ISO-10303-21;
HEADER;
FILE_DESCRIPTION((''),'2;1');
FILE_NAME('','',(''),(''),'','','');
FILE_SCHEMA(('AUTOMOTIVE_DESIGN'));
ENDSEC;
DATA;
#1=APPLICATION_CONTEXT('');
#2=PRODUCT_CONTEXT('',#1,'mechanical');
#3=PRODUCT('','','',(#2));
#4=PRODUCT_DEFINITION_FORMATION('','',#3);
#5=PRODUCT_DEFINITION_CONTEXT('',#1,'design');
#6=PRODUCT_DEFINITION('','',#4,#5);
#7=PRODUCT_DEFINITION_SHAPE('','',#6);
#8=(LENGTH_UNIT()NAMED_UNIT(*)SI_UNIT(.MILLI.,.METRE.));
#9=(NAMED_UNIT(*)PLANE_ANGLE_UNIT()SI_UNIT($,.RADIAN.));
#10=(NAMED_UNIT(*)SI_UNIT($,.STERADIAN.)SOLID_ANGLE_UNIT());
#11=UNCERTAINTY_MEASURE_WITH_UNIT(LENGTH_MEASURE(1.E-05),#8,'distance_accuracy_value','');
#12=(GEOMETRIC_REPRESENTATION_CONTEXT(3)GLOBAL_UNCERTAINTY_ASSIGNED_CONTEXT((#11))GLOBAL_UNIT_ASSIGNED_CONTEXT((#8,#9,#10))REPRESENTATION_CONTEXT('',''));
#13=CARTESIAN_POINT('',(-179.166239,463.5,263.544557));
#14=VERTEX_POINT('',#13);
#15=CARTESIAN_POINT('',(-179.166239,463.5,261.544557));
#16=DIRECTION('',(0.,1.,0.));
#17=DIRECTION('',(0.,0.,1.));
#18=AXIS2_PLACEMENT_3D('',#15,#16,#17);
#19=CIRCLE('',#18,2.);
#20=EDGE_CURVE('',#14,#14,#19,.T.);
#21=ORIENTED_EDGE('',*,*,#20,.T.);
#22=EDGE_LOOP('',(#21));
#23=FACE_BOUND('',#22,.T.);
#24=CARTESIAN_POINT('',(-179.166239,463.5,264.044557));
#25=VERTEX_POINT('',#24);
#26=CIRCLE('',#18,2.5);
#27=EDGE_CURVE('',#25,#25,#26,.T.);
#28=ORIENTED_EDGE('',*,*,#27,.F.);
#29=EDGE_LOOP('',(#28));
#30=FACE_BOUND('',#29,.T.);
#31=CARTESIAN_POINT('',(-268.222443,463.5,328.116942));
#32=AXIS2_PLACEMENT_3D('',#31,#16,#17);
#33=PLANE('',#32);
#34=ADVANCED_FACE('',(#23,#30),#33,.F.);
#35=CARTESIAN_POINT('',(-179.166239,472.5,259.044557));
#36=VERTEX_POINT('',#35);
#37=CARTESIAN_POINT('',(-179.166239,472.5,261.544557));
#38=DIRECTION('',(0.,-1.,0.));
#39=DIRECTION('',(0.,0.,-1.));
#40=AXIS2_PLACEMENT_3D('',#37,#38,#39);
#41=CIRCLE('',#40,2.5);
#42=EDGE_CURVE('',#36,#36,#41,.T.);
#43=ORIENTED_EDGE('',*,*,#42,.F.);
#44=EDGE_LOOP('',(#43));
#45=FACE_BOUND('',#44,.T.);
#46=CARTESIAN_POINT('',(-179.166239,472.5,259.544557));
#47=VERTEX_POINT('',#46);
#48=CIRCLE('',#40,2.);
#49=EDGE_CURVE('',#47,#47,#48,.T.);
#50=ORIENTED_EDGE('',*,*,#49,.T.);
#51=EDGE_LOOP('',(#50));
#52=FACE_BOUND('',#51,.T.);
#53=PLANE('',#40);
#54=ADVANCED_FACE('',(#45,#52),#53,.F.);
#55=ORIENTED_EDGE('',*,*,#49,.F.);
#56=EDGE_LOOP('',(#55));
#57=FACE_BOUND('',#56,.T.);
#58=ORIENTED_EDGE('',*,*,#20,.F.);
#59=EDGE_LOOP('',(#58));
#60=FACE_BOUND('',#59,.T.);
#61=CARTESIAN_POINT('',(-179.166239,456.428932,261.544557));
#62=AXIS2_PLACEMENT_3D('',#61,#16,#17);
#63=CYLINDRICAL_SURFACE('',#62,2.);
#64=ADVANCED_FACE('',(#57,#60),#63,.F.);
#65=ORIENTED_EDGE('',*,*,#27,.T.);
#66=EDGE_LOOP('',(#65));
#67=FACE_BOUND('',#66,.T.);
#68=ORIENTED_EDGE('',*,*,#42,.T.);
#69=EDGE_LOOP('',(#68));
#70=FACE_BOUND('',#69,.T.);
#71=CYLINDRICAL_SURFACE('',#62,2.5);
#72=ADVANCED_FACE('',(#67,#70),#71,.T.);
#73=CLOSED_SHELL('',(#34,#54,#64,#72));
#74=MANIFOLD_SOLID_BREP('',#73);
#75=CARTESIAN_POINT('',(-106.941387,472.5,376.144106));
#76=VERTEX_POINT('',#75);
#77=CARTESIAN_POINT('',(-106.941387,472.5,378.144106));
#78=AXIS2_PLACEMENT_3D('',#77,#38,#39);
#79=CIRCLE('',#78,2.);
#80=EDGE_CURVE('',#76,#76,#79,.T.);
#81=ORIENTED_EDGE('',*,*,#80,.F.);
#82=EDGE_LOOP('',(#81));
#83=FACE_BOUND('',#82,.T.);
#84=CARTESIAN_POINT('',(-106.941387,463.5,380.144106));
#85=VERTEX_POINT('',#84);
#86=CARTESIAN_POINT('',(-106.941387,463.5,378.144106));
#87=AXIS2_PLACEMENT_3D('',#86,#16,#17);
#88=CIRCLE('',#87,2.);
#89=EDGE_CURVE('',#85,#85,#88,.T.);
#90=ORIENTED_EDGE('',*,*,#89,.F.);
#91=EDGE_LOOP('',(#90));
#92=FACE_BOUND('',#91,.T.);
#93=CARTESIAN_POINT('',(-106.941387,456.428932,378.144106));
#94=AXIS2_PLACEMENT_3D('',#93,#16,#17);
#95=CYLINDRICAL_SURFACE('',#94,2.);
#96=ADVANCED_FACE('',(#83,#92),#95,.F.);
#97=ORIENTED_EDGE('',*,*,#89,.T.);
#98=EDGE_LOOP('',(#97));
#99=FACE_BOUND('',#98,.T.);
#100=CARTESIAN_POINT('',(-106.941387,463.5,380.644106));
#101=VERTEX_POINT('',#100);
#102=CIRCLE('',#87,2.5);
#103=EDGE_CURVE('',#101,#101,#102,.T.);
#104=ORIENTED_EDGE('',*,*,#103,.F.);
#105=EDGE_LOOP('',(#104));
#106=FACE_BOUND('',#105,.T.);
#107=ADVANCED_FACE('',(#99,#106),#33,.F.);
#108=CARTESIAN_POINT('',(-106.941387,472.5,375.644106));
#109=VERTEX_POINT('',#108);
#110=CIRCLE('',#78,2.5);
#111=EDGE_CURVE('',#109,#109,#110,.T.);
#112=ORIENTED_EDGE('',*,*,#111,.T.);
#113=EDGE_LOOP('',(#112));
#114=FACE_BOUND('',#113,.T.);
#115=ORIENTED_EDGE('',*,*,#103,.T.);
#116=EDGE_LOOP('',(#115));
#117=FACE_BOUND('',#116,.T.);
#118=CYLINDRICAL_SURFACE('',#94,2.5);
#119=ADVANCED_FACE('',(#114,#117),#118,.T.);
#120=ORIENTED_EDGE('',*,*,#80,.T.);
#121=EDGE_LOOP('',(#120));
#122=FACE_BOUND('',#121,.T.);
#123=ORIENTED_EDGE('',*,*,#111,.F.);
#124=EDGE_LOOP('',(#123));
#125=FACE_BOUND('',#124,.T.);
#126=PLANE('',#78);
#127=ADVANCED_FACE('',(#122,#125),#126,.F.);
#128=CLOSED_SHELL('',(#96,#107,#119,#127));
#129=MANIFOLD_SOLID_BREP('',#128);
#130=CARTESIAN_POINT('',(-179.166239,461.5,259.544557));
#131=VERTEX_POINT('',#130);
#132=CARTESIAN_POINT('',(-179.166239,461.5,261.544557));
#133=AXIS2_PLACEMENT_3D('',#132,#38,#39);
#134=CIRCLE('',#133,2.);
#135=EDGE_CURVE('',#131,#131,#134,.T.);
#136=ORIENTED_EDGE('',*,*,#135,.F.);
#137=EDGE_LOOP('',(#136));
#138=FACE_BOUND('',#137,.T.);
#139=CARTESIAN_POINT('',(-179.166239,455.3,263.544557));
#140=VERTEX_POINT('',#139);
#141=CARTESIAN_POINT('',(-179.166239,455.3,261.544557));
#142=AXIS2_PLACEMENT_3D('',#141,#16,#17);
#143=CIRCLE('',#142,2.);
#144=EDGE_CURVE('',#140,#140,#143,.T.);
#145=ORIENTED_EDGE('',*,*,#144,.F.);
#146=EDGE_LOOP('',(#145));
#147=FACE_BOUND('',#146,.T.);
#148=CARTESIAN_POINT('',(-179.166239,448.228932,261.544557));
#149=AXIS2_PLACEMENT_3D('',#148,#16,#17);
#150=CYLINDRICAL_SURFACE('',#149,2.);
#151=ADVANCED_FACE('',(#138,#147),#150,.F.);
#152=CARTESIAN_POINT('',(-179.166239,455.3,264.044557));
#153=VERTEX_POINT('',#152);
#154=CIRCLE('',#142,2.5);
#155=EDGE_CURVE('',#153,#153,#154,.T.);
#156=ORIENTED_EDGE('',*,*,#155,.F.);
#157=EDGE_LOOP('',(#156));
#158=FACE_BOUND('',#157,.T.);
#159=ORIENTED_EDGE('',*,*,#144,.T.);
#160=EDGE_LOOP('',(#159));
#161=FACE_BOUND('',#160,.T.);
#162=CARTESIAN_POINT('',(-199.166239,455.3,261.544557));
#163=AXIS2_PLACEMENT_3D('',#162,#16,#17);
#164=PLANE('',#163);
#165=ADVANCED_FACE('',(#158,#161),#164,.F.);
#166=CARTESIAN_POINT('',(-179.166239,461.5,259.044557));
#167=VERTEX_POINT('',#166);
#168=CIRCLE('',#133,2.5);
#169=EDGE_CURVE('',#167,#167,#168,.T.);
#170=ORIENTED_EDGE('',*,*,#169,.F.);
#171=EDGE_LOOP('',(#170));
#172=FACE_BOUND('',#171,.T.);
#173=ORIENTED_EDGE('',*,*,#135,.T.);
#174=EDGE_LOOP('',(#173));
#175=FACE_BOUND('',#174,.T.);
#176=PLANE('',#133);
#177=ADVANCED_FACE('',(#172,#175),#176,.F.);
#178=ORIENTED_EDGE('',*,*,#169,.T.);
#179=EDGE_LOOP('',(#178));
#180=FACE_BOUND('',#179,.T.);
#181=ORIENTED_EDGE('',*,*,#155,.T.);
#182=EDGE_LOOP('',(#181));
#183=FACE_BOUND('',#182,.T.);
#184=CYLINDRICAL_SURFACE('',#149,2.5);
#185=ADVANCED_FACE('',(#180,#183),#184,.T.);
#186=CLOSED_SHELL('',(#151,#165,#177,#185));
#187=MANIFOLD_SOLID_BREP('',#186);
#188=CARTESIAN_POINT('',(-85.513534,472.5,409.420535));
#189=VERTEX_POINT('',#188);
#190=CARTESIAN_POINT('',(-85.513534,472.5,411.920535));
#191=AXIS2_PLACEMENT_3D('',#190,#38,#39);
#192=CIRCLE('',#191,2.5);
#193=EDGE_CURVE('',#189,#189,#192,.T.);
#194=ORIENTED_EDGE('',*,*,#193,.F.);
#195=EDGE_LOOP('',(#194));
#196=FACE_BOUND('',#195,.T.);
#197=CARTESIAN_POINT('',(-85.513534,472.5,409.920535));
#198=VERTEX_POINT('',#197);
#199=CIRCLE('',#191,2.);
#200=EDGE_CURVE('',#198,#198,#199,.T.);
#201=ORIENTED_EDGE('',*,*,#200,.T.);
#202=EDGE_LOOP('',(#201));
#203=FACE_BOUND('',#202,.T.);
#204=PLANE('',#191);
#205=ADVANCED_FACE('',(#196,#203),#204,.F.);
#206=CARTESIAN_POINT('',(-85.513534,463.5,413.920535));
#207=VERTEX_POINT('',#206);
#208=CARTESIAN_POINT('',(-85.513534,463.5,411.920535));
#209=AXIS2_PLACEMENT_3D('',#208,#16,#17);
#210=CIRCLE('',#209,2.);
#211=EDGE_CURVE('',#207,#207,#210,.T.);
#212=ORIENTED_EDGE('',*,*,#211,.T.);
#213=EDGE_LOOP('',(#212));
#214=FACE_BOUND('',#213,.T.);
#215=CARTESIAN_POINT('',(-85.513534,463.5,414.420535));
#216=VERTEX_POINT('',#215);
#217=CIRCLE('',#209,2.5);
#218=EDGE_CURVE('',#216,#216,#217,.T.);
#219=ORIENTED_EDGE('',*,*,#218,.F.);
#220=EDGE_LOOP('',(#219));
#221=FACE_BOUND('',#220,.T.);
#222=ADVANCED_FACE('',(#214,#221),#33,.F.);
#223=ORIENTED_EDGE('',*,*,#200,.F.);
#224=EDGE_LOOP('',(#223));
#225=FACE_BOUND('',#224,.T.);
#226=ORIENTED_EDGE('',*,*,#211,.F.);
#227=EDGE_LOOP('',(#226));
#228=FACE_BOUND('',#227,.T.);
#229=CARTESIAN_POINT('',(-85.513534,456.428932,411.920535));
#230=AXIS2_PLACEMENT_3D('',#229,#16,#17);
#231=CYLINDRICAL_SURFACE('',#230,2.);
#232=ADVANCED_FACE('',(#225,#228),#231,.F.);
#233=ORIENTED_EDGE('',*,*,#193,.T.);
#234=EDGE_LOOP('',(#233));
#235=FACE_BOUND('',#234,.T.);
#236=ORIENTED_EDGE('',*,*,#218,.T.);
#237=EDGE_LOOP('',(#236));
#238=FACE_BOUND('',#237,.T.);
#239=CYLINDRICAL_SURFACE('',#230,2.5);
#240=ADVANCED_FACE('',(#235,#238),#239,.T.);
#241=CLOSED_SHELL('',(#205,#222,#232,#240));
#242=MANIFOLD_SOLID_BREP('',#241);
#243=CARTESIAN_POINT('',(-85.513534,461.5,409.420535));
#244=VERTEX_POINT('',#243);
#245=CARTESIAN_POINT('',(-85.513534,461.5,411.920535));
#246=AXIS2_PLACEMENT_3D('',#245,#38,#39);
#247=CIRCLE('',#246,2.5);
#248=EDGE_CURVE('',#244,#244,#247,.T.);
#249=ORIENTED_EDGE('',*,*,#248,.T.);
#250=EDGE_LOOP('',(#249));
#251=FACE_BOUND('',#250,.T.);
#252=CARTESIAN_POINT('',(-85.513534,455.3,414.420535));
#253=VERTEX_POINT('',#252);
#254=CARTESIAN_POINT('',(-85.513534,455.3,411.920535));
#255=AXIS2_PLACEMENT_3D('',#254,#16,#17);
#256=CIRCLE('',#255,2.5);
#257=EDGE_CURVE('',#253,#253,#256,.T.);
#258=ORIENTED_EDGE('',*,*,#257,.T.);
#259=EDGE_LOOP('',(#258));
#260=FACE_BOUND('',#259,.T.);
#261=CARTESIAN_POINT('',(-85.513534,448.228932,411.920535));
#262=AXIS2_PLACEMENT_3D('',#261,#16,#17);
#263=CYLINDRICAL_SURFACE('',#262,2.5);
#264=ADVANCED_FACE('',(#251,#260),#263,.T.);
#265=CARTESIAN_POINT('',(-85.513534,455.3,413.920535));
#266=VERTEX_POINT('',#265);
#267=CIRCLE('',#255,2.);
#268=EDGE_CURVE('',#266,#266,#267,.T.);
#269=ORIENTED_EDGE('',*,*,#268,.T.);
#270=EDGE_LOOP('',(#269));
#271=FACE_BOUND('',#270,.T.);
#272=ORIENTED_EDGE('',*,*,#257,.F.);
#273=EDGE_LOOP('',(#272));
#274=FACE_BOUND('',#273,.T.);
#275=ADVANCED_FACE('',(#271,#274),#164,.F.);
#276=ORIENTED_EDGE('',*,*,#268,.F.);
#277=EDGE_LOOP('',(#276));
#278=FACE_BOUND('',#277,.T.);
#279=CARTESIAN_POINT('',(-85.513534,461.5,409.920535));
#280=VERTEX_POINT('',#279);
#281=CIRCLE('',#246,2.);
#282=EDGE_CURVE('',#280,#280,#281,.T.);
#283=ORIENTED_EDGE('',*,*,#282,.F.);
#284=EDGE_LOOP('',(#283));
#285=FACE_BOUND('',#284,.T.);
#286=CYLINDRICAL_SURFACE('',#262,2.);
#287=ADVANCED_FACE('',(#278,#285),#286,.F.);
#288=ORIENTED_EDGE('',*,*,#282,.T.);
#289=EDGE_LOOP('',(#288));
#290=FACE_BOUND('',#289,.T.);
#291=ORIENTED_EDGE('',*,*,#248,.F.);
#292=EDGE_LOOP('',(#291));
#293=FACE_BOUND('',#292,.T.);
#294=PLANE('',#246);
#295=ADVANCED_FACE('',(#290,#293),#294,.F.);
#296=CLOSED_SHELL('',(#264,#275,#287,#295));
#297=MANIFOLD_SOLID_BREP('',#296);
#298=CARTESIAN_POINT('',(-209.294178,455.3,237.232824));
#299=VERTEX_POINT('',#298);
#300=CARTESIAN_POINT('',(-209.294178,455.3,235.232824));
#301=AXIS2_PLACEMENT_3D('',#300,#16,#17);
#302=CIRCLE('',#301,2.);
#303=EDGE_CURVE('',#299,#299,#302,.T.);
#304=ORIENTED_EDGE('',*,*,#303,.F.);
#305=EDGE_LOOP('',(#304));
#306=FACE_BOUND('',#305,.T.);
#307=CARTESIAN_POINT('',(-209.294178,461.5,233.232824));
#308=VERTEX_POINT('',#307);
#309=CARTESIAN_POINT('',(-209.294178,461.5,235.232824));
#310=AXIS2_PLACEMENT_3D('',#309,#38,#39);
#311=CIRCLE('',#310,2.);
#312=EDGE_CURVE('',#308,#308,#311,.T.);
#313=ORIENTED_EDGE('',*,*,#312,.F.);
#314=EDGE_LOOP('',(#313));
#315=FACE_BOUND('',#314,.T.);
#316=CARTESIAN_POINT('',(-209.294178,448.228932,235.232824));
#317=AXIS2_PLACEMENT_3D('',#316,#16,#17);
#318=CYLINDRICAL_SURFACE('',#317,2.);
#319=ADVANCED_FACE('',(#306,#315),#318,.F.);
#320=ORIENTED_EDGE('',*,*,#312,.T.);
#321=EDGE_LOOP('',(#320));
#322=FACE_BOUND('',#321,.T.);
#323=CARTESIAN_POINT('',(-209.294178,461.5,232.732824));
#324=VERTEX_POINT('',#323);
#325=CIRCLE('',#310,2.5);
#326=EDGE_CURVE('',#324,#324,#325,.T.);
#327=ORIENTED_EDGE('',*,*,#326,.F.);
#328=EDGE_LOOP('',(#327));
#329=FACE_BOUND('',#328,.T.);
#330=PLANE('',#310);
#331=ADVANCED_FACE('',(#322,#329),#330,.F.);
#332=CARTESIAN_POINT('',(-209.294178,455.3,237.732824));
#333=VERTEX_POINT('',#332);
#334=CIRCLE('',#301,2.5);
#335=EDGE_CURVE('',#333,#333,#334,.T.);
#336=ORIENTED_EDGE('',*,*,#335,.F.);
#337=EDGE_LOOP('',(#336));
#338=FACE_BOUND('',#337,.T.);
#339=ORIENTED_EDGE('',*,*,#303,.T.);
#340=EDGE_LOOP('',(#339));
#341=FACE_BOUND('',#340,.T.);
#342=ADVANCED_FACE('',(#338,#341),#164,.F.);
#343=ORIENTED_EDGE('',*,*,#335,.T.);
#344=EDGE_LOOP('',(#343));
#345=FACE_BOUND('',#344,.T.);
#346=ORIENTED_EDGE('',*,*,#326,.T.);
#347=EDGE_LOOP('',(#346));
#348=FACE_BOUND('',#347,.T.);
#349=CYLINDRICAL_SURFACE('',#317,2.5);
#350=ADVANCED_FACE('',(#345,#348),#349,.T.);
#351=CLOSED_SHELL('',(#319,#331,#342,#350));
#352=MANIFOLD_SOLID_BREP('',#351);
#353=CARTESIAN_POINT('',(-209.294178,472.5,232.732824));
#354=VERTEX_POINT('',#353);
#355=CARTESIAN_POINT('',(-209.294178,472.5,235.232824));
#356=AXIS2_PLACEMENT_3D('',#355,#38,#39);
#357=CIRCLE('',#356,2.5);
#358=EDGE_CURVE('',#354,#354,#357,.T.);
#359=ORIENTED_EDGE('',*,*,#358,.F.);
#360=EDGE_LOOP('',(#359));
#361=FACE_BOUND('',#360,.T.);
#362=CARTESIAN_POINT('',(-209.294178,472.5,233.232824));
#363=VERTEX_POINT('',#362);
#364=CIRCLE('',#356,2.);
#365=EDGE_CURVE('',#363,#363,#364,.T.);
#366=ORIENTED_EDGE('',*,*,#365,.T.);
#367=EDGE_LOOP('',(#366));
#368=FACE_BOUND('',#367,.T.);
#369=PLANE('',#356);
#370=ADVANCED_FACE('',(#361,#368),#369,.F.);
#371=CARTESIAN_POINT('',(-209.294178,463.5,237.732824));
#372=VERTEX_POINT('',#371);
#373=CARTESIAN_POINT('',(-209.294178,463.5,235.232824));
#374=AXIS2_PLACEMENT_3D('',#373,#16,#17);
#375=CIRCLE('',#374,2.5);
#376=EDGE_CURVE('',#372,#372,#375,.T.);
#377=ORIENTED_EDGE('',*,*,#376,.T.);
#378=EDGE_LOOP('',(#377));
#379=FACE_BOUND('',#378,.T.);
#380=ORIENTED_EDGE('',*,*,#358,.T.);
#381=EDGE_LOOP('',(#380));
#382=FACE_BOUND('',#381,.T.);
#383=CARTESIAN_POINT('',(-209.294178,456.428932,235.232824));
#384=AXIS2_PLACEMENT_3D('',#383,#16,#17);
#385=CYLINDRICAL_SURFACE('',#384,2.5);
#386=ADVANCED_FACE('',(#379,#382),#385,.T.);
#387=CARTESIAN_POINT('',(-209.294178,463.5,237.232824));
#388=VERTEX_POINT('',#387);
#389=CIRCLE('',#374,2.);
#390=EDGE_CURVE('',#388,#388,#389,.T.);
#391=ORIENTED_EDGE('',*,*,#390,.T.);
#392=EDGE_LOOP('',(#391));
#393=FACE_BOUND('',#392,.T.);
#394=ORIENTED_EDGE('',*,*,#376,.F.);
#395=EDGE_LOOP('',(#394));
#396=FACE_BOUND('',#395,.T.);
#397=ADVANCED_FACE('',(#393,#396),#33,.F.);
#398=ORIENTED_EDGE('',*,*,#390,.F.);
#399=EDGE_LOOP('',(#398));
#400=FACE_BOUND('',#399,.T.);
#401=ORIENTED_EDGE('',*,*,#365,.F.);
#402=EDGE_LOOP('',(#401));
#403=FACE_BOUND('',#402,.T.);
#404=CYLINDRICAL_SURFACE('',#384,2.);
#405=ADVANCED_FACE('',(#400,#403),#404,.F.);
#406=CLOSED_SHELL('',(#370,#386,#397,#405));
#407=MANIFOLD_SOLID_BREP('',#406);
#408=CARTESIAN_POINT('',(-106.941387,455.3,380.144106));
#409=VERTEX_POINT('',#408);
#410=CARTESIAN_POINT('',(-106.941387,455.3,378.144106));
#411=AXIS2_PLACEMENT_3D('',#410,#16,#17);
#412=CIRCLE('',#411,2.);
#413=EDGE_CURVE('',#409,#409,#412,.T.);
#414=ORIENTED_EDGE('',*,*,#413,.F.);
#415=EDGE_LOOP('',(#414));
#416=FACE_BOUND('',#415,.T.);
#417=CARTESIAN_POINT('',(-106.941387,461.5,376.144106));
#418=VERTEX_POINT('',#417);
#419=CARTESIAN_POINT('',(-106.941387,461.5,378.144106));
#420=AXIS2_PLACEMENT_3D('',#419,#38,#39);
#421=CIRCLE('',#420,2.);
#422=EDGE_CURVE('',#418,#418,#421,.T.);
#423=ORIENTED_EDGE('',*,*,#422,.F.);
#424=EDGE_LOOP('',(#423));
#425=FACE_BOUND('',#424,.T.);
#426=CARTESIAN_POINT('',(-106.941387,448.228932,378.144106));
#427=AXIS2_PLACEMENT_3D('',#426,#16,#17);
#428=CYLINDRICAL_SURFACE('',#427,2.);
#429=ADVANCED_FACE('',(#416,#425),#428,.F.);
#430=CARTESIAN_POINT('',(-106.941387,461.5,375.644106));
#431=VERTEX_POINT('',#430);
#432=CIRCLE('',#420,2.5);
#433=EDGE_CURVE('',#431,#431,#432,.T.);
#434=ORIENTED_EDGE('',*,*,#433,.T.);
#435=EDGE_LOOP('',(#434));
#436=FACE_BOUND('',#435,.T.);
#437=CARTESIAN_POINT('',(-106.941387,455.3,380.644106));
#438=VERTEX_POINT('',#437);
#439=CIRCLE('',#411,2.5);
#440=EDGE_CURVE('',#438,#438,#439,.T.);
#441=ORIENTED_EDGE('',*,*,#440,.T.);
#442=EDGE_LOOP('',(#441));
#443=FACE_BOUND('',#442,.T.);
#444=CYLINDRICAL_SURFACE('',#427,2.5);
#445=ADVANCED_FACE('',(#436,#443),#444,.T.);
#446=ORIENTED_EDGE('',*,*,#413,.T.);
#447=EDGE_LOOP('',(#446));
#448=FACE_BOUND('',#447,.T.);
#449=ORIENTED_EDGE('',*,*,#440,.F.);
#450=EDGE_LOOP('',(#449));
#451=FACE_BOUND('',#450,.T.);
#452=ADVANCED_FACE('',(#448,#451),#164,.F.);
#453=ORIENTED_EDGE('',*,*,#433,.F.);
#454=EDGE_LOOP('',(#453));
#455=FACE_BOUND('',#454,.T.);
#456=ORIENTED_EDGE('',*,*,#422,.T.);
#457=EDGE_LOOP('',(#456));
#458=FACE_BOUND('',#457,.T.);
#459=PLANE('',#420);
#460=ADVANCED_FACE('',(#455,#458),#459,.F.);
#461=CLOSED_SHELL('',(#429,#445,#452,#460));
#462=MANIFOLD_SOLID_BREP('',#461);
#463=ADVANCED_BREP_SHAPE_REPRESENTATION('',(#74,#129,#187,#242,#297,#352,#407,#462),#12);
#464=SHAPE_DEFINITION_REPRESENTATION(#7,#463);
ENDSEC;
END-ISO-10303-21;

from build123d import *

# Parameters (mm, degrees)
SZKIC1_R                      = 2.5
SZKIC1_R_2                    = 2
DODANIE_WYCI_GNI_CIE1_DEPTH   = 9
DODANIE_WYCI_GNI_CIE1_2_DEPTH = 9
DODANIE_WYCI_GNI_CIE1_3_DEPTH = 9
DODANIE_WYCI_GNI_CIE1_4_DEPTH = 9
SZKIC2_R                      = 2.5
SZKIC2_R_2                    = 2.000000003
DODANIE_WYCI_GNI_CIE2_DEPTH   = 6.2
SZKIC2_R_3                    = 1.999999997
DODANIE_WYCI_GNI_CIE2_2_DEPTH = 6.2
SZKIC2_R_4                    = 2
DODANIE_WYCI_GNI_CIE2_3_DEPTH = 6.2
DODANIE_WYCI_GNI_CIE2_4_DEPTH = 6.2


with BuildPart() as part:
    # Szkic1 → Dodanie-wyciągnięcie1 (new body)
    with BuildSketch(Plane.XZ.offset(-472.5)):
        with Locations((-209.294177747, 235.232823684)):
            Circle(SZKIC1_R)
        with Locations((-209.294177747, 235.232823684)):
            Circle(SZKIC1_R_2, mode=Mode.SUBTRACT)
    extrude(amount=DODANIE_WYCI_GNI_CIE1_DEPTH)


with BuildPart() as body_2:
    # Szkic1 → Dodanie-wyci_gni_cie1 2 (new body)
    with BuildSketch(Plane.XZ.offset(-472.5)):
        with Locations((-179.166238959, 261.544556892)):
            Circle(SZKIC1_R)
        with Locations((-179.166238959, 261.544556892)):
            Circle(SZKIC1_R_2, mode=Mode.SUBTRACT)
    extrude(amount=DODANIE_WYCI_GNI_CIE1_2_DEPTH)


with BuildPart() as body_3:
    # Szkic1 → Dodanie-wyci_gni_cie1 3 (new body)
    with BuildSketch(Plane.XZ.offset(-472.5)):
        with Locations((-106.941386538, 378.144106321)):
            Circle(SZKIC1_R)
        with Locations((-106.941386538, 378.144106321)):
            Circle(SZKIC1_R_2, mode=Mode.SUBTRACT)
    extrude(amount=DODANIE_WYCI_GNI_CIE1_3_DEPTH)


with BuildPart() as body_4:
    # Szkic1 → Dodanie-wyci_gni_cie1 4 (new body)
    with BuildSketch(Plane.XZ.offset(-472.5)):
        with Locations((-85.513533731, 411.920534849)):
            Circle(SZKIC1_R)
        with Locations((-85.513533731, 411.920534849)):
            Circle(SZKIC1_R_2, mode=Mode.SUBTRACT)
    extrude(amount=DODANIE_WYCI_GNI_CIE1_4_DEPTH)


with BuildPart() as body_5:
    # Szkic2 → Dodanie-wyciągnięcie2 (new body)
    with BuildSketch(Plane.XZ.offset(-461.5)):
        with Locations((-209.294177747, 235.232823684)):
            Circle(SZKIC2_R)
        with Locations((-209.294177747, 235.232823684)):
            Circle(SZKIC2_R_2, mode=Mode.SUBTRACT)
    extrude(amount=DODANIE_WYCI_GNI_CIE2_DEPTH)


with BuildPart() as body_6:
    # Szkic2 → Dodanie-wyci_gni_cie2 2 (new body)
    with BuildSketch(Plane.XZ.offset(-461.5)):
        with Locations((-179.166238959, 261.544556892)):
            Circle(SZKIC2_R)
        with Locations((-179.166238959, 261.544556892)):
            Circle(SZKIC2_R_3, mode=Mode.SUBTRACT)
    extrude(amount=DODANIE_WYCI_GNI_CIE2_2_DEPTH)


with BuildPart() as body_7:
    # Szkic2 → Dodanie-wyci_gni_cie2 3 (new body)
    with BuildSketch(Plane.XZ.offset(-461.5)):
        with Locations((-106.941386538, 378.144106321)):
            Circle(SZKIC2_R)
        with Locations((-106.941386538, 378.144106321)):
            Circle(SZKIC2_R_4, mode=Mode.SUBTRACT)
    extrude(amount=DODANIE_WYCI_GNI_CIE2_3_DEPTH)


with BuildPart() as body_8:
    # Szkic2 → Dodanie-wyci_gni_cie2 4 (new body)
    with BuildSketch(Plane.XZ.offset(-461.5)):
        with Locations((-85.513533731, 411.920534849)):
            Circle(SZKIC2_R)
        with Locations((-85.513533731, 411.920534849)):
            Circle(SZKIC2_R_4, mode=Mode.SUBTRACT)
    extrude(amount=DODANIE_WYCI_GNI_CIE2_4_DEPTH)


solid = Compound([part.part, body_2.part, body_3.part, body_4.part, body_5.part, body_6.part, body_7.part, body_8.part])
